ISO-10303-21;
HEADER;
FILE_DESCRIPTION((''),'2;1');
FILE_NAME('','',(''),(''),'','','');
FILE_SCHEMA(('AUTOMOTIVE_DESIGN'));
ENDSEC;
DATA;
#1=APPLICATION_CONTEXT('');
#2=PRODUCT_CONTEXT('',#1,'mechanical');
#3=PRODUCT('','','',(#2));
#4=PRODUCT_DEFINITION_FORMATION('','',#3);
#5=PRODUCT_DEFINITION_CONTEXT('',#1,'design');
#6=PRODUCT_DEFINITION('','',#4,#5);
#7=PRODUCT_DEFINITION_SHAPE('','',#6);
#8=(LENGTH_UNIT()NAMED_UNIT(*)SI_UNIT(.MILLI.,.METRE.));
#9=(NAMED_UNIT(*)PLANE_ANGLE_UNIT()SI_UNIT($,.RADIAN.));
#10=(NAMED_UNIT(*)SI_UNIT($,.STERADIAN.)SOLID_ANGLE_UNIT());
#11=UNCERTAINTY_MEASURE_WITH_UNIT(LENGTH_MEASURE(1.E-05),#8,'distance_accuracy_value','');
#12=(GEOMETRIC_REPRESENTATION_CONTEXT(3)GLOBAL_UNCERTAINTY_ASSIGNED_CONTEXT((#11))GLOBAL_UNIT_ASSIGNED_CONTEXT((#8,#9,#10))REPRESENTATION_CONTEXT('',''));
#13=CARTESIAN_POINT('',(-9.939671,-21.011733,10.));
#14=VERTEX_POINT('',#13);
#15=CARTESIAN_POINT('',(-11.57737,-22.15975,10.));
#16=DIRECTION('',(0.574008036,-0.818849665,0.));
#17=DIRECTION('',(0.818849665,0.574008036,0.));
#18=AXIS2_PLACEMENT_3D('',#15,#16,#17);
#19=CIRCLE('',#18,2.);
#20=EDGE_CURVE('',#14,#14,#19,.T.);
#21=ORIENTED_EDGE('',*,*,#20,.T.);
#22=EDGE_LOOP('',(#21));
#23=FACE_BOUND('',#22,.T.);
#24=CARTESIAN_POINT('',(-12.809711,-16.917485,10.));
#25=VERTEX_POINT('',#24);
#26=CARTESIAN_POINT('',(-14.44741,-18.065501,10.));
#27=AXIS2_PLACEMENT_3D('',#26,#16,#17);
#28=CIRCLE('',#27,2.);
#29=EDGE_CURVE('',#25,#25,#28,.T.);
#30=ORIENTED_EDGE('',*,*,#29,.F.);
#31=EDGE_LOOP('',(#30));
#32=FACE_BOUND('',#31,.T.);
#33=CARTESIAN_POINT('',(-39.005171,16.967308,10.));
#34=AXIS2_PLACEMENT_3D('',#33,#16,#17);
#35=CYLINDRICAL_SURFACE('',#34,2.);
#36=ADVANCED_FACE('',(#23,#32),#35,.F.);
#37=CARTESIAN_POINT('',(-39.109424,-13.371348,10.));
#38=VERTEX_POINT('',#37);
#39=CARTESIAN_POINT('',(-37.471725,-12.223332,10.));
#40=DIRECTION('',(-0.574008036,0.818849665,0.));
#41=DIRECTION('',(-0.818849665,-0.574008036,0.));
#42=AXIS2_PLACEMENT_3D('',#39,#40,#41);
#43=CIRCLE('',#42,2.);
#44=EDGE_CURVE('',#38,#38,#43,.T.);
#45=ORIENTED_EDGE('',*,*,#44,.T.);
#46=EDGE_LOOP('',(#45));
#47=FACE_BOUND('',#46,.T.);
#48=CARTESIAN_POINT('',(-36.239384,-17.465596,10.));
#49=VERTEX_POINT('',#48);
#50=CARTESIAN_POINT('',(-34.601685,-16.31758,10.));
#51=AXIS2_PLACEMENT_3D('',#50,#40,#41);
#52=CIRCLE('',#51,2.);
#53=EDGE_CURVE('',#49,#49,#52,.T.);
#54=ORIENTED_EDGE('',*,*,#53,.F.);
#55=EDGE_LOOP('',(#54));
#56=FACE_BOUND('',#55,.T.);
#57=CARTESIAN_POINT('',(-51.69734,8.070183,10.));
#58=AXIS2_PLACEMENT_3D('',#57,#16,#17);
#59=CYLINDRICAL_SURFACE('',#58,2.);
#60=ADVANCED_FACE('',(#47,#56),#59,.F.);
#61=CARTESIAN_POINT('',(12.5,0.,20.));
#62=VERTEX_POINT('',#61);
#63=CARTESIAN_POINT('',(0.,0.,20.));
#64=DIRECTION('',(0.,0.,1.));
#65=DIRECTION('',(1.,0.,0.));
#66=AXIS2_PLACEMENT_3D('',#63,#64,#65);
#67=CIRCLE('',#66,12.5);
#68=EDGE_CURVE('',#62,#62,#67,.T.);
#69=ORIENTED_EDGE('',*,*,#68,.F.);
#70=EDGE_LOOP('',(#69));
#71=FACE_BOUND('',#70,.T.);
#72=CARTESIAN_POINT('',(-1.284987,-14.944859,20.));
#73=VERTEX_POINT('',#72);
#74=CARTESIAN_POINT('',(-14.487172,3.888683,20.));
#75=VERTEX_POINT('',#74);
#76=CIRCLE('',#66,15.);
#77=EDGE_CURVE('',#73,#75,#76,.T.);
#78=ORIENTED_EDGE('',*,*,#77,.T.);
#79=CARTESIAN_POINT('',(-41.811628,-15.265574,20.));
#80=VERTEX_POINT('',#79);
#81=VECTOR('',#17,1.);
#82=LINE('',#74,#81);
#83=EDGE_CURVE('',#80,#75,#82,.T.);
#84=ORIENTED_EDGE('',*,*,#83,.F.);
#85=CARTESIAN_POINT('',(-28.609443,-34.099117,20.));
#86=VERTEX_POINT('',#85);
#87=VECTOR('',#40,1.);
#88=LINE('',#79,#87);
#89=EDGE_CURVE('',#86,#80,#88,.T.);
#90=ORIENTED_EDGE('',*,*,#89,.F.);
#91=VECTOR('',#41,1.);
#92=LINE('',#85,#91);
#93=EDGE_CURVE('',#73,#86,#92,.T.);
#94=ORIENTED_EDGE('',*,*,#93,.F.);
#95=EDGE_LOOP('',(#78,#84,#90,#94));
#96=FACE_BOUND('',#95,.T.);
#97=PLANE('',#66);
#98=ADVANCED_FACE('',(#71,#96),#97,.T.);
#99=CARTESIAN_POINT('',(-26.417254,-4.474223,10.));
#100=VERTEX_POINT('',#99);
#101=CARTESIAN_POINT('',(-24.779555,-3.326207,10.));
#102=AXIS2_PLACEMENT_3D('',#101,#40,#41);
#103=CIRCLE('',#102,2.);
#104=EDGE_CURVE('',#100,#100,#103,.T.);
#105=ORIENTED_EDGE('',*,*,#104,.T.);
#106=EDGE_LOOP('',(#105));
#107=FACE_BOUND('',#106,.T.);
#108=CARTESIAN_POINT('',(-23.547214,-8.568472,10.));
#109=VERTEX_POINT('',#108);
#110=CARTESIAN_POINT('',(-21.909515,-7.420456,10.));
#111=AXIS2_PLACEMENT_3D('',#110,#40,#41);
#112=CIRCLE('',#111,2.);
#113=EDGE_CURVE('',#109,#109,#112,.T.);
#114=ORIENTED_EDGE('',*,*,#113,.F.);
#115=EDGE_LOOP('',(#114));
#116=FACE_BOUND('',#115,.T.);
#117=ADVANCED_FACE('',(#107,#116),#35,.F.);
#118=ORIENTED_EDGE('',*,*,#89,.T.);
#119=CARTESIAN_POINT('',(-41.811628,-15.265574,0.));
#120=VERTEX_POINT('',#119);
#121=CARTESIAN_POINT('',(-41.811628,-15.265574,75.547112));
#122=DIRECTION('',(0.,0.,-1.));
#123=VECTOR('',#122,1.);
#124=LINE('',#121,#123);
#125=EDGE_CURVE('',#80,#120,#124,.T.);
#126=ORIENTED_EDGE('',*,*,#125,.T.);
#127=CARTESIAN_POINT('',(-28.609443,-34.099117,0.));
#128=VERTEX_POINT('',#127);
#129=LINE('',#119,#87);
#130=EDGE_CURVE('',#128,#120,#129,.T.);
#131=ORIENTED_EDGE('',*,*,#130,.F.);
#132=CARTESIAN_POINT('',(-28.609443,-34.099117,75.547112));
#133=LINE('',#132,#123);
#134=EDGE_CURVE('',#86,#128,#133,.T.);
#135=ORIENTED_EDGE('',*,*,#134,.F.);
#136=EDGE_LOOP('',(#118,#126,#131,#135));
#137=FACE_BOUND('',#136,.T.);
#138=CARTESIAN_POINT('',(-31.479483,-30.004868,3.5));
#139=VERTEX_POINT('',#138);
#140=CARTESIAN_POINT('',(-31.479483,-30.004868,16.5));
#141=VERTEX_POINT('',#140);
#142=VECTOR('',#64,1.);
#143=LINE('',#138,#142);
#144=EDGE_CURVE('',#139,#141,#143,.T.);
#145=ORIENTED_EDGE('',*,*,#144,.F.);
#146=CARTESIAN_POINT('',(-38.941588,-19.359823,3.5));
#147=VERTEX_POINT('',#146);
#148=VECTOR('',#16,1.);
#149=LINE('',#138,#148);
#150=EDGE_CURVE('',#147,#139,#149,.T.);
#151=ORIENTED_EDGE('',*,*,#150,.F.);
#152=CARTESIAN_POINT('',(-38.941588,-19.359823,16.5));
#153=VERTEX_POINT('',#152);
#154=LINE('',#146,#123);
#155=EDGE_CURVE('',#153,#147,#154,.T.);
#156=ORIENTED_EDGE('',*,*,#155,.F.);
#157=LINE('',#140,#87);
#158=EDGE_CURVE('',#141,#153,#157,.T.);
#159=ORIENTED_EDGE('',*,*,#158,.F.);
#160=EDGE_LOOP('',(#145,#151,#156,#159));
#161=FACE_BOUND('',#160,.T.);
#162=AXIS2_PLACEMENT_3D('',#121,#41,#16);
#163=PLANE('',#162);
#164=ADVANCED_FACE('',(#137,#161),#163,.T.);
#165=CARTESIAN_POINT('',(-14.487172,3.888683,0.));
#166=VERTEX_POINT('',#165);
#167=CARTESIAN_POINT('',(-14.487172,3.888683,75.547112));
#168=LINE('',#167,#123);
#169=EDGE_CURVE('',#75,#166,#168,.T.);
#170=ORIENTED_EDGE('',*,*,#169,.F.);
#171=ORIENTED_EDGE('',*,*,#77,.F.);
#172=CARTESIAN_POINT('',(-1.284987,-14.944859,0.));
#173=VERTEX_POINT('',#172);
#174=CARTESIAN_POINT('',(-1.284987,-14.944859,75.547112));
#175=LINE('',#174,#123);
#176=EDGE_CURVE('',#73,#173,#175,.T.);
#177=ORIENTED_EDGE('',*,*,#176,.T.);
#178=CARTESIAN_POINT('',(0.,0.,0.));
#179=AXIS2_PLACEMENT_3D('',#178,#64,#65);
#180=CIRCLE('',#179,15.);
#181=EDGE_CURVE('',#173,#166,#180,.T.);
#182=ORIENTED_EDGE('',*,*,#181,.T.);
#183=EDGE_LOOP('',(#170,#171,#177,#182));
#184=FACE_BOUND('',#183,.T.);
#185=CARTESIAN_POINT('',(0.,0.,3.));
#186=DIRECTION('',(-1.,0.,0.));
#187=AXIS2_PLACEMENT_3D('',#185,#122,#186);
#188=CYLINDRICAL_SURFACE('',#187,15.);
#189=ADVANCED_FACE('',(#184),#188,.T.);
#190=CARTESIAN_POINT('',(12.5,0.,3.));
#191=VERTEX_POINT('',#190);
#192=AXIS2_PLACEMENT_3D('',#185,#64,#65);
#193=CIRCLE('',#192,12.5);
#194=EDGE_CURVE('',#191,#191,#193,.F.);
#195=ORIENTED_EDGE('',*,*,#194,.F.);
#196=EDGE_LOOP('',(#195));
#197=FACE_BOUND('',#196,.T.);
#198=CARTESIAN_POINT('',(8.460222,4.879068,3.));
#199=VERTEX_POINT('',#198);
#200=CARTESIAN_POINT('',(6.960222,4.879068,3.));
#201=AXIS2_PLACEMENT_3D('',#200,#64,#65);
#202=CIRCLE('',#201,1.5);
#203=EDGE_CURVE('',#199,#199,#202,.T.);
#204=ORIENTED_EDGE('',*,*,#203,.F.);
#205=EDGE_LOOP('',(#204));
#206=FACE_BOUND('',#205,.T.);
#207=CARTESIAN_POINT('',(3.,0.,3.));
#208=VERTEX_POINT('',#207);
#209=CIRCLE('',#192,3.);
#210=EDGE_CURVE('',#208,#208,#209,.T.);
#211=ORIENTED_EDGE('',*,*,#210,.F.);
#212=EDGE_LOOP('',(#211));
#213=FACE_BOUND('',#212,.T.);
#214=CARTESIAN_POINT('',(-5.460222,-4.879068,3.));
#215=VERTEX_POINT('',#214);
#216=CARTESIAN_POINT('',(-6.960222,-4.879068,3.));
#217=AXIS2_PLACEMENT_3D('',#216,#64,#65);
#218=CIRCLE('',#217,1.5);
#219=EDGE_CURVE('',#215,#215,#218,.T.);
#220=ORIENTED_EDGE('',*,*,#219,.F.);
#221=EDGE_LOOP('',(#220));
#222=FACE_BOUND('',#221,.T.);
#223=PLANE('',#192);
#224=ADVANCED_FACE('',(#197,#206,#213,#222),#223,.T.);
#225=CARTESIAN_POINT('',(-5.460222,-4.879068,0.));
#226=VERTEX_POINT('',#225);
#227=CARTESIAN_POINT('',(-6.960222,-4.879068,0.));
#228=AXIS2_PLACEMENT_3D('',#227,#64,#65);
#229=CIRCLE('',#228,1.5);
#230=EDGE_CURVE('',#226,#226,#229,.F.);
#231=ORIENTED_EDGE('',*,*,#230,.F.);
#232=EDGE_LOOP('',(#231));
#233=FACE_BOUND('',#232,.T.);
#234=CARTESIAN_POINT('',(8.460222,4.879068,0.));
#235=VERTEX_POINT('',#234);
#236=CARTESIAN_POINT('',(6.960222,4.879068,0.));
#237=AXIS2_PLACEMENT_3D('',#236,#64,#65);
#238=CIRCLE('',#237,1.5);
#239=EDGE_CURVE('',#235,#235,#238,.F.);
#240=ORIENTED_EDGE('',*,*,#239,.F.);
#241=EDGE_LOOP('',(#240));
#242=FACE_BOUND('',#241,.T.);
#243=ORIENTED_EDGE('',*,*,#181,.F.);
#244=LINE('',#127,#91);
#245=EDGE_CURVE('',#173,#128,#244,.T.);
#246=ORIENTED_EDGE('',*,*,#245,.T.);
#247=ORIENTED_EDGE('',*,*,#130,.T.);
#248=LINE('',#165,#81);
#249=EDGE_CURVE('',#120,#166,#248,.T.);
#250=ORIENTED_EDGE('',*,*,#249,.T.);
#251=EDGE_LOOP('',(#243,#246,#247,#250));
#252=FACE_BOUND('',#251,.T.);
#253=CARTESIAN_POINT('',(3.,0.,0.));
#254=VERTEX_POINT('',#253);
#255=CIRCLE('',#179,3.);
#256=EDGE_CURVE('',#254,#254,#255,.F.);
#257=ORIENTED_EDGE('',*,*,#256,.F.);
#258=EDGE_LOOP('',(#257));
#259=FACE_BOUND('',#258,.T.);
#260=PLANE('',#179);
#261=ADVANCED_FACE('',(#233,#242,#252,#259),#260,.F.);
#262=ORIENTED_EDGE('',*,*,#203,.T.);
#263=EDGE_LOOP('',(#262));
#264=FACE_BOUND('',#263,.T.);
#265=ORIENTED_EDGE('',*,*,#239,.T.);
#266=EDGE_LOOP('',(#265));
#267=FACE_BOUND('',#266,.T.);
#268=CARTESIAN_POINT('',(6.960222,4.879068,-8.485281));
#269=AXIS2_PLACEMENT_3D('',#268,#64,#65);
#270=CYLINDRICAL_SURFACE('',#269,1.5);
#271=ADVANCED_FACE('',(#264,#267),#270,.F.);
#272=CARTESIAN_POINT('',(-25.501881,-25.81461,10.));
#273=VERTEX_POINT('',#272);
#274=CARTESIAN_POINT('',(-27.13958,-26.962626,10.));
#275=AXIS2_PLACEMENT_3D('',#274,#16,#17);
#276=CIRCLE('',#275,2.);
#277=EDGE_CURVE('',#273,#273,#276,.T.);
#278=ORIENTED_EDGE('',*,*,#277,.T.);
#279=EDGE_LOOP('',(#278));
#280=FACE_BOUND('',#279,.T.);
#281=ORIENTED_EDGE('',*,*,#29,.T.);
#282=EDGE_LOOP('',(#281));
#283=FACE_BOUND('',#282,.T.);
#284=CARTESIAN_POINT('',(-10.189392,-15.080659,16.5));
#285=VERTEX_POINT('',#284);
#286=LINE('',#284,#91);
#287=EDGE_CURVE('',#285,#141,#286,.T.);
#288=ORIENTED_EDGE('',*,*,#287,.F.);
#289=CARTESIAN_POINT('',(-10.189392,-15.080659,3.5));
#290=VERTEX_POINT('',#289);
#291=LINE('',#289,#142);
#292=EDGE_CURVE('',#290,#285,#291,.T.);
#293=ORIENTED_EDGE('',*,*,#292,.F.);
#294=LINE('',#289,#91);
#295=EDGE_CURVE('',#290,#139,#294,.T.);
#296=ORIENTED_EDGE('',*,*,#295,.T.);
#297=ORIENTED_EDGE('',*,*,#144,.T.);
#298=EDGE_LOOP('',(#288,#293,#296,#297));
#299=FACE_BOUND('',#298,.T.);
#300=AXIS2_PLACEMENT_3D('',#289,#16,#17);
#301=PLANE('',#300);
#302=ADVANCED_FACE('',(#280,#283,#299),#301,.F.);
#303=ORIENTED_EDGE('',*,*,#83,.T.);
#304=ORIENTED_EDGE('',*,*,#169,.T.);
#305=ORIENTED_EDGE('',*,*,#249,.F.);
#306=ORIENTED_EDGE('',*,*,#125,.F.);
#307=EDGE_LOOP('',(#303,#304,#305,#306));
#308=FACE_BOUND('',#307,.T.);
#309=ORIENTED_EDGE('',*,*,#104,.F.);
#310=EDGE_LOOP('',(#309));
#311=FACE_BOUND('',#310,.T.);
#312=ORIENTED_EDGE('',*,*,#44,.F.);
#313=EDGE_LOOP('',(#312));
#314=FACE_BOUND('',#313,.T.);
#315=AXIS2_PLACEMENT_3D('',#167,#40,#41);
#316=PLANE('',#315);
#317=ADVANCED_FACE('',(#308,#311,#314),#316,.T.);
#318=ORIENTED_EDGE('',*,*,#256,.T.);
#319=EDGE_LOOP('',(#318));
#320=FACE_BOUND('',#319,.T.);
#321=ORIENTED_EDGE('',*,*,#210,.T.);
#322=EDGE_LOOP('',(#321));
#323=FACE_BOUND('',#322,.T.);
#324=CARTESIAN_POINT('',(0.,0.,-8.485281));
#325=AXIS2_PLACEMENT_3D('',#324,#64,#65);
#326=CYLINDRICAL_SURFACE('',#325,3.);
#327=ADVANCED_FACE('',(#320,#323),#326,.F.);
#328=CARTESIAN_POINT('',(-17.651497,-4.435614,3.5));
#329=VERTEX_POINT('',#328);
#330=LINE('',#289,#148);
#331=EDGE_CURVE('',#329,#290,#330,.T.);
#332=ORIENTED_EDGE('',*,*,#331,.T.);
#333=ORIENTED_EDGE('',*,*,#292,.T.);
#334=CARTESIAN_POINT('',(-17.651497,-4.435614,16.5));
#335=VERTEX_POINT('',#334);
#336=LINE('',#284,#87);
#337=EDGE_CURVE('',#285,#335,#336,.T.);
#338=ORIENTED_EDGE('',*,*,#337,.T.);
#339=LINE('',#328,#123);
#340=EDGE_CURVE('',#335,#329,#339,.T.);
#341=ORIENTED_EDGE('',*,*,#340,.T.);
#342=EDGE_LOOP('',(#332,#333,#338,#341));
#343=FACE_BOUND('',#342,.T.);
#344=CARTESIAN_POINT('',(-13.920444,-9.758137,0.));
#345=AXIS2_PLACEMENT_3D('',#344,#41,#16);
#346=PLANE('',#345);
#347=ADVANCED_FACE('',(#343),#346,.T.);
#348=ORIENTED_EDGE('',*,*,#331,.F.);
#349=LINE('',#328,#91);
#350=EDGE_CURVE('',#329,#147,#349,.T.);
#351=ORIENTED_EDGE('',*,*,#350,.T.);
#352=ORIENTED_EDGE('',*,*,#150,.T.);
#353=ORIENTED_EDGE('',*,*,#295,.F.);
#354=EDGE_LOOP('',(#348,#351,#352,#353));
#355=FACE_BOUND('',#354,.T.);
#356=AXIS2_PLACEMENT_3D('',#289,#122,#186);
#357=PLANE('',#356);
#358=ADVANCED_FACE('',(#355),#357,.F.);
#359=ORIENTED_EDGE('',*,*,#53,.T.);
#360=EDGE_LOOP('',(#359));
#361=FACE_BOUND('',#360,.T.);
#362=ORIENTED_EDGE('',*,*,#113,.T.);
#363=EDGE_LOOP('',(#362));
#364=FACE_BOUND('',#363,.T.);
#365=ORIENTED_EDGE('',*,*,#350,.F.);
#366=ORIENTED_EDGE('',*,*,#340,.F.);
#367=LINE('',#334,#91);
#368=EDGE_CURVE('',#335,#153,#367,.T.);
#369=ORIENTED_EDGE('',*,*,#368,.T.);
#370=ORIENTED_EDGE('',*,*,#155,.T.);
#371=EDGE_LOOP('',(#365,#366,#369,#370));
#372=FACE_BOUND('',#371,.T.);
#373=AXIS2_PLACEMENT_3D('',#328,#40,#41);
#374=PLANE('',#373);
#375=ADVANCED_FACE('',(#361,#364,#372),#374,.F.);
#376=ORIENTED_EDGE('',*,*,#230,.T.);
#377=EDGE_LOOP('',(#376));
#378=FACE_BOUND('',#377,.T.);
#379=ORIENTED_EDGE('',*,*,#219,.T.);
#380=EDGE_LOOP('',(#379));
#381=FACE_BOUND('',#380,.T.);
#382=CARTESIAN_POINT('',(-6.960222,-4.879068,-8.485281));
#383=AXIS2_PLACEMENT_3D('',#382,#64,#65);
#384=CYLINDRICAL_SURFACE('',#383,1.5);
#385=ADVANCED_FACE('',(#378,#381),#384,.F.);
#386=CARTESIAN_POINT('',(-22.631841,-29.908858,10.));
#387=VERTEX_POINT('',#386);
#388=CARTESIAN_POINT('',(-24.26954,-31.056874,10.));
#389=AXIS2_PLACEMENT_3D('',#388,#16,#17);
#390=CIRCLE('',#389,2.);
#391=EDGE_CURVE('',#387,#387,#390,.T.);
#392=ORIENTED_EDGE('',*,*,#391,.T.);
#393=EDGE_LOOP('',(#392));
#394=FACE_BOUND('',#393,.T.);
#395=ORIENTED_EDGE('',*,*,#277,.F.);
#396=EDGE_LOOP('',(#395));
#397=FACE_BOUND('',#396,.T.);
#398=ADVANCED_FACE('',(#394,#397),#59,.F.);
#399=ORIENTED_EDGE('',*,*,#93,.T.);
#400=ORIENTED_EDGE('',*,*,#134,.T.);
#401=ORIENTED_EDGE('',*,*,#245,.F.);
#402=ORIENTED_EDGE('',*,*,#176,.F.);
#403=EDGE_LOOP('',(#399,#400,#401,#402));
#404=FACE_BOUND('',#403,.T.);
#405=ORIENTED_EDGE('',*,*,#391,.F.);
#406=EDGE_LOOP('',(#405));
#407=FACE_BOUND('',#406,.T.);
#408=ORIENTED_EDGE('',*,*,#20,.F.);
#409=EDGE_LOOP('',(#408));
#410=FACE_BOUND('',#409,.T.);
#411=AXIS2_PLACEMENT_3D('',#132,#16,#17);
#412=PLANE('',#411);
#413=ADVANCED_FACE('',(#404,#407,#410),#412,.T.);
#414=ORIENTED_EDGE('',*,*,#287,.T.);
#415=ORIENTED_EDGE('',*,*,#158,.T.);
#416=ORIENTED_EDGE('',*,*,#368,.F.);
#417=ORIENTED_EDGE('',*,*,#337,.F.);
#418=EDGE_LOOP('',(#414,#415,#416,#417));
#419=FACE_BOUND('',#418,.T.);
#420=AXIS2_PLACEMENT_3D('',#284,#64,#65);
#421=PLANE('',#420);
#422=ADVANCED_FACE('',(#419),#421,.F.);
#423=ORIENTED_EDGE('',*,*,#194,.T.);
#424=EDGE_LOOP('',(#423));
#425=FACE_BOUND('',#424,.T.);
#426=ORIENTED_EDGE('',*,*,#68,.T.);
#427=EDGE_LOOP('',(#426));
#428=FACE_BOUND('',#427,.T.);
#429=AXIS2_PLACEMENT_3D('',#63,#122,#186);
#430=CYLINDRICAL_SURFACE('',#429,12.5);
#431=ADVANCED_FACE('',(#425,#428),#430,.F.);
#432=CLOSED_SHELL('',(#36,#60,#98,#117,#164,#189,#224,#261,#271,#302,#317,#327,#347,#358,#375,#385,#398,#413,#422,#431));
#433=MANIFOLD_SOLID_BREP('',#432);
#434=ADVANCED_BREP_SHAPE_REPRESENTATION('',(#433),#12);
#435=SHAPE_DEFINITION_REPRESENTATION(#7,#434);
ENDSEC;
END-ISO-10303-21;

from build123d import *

# Parameters (mm, degrees)
SKETCH1_R           = 15
BOSS_EXTRUDE1_DEPTH = 3
SKETCH2_R           = 15
SKETCH2_R_2         = 12.5
BOSS_EXTRUDE2_DEPTH = 17
SKETCH3_R           = 3
SKETCH3_R_2         = 1.5
CUT_EXTRUDE1_DEPTH  = 3
BOSS_EXTRUDE3_DEPTH = 20
SKETCH6_W           = 13
SKETCH6_H           = 13
CUT_EXTRUDE3_DEPTH  = 26
SKETCH7_R           = 2
CUT_EXTRUDE4_DEPTH  = 58.905178378


with BuildPart() as part:
    # Sketch1 → Boss-Extrude1 (new body)
    with BuildSketch(Plane.XY):
        Circle(SKETCH1_R)
    extrude(amount=BOSS_EXTRUDE1_DEPTH)

    # Sketch2 → Boss-Extrude2 (add)
    with BuildSketch(Plane.XY.offset(3)):
        Circle(SKETCH2_R)
        Circle(SKETCH2_R_2, mode=Mode.SUBTRACT)
    extrude(amount=BOSS_EXTRUDE2_DEPTH)

    # Sketch3 → Cut-Extrude1 (cut)
    with BuildSketch(Plane.XY.offset(3)):
        Circle(SKETCH3_R)
        with Locations((-6.960222154, -4.87906831)):
            Circle(SKETCH3_R_2)
        with Locations((6.960222154, 4.87906831)):
            Circle(SKETCH3_R_2)
    extrude(amount=-CUT_EXTRUDE1_DEPTH, mode=Mode.SUBTRACT)

    # Sketch4 → Boss-Extrude3 (add)
    with BuildSketch(Plane(origin=(0, 0, 0), x_dir=(-1, 0, 0), z_dir=(0, 0, -1))):
        with BuildLine():
            Line((14.487171628, 3.888683351), (41.81162802, -15.265574417))
            Line((41.81162802, -15.265574417), (28.609443183, -34.099116715))
            Line((28.609443183, -34.099116715), (1.284986791, -14.944858947))
            ThreePointArc((1.284986791, -14.944858947), (12.282744977, -8.610120546), (14.487171628, 3.888683351))
        make_face()
    extrude(amount=-BOSS_EXTRUDE3_DEPTH)

    # Sketch6 → Cut-Extrude3 (cut)
    with BuildSketch(Plane(origin=(-35.210535602, -24.682345566, 0), x_dir=(-0.5740080364217665, 0.8188496651542504, 0), z_dir=(-0.8188496651542504, -0.5740080364217665, 0))):
        with Locations((0, -10)):
            Rectangle(SKETCH6_W, SKETCH6_H)
    extrude(amount=-CUT_EXTRUDE3_DEPTH, mode=Mode.SUBTRACT)

    # Sketch7 → Cut-Extrude4 (cut, through all)
    with BuildSketch(Plane(origin=(6.601092419, -9.416771149, 0), x_dir=(0, 0, 1), z_dir=(0.5740080364217666, -0.8188496651542504, 0))):
        with Locations(Location((10, 37.7, 0), (0, 0, 270))):
            Circle(SKETCH7_R)
        with Locations(Location((10, 22.2, 0), (0, 0, 270))):
            Circle(SKETCH7_R)
    extrude(amount=-CUT_EXTRUDE4_DEPTH, mode=Mode.SUBTRACT)


solid = part.part
